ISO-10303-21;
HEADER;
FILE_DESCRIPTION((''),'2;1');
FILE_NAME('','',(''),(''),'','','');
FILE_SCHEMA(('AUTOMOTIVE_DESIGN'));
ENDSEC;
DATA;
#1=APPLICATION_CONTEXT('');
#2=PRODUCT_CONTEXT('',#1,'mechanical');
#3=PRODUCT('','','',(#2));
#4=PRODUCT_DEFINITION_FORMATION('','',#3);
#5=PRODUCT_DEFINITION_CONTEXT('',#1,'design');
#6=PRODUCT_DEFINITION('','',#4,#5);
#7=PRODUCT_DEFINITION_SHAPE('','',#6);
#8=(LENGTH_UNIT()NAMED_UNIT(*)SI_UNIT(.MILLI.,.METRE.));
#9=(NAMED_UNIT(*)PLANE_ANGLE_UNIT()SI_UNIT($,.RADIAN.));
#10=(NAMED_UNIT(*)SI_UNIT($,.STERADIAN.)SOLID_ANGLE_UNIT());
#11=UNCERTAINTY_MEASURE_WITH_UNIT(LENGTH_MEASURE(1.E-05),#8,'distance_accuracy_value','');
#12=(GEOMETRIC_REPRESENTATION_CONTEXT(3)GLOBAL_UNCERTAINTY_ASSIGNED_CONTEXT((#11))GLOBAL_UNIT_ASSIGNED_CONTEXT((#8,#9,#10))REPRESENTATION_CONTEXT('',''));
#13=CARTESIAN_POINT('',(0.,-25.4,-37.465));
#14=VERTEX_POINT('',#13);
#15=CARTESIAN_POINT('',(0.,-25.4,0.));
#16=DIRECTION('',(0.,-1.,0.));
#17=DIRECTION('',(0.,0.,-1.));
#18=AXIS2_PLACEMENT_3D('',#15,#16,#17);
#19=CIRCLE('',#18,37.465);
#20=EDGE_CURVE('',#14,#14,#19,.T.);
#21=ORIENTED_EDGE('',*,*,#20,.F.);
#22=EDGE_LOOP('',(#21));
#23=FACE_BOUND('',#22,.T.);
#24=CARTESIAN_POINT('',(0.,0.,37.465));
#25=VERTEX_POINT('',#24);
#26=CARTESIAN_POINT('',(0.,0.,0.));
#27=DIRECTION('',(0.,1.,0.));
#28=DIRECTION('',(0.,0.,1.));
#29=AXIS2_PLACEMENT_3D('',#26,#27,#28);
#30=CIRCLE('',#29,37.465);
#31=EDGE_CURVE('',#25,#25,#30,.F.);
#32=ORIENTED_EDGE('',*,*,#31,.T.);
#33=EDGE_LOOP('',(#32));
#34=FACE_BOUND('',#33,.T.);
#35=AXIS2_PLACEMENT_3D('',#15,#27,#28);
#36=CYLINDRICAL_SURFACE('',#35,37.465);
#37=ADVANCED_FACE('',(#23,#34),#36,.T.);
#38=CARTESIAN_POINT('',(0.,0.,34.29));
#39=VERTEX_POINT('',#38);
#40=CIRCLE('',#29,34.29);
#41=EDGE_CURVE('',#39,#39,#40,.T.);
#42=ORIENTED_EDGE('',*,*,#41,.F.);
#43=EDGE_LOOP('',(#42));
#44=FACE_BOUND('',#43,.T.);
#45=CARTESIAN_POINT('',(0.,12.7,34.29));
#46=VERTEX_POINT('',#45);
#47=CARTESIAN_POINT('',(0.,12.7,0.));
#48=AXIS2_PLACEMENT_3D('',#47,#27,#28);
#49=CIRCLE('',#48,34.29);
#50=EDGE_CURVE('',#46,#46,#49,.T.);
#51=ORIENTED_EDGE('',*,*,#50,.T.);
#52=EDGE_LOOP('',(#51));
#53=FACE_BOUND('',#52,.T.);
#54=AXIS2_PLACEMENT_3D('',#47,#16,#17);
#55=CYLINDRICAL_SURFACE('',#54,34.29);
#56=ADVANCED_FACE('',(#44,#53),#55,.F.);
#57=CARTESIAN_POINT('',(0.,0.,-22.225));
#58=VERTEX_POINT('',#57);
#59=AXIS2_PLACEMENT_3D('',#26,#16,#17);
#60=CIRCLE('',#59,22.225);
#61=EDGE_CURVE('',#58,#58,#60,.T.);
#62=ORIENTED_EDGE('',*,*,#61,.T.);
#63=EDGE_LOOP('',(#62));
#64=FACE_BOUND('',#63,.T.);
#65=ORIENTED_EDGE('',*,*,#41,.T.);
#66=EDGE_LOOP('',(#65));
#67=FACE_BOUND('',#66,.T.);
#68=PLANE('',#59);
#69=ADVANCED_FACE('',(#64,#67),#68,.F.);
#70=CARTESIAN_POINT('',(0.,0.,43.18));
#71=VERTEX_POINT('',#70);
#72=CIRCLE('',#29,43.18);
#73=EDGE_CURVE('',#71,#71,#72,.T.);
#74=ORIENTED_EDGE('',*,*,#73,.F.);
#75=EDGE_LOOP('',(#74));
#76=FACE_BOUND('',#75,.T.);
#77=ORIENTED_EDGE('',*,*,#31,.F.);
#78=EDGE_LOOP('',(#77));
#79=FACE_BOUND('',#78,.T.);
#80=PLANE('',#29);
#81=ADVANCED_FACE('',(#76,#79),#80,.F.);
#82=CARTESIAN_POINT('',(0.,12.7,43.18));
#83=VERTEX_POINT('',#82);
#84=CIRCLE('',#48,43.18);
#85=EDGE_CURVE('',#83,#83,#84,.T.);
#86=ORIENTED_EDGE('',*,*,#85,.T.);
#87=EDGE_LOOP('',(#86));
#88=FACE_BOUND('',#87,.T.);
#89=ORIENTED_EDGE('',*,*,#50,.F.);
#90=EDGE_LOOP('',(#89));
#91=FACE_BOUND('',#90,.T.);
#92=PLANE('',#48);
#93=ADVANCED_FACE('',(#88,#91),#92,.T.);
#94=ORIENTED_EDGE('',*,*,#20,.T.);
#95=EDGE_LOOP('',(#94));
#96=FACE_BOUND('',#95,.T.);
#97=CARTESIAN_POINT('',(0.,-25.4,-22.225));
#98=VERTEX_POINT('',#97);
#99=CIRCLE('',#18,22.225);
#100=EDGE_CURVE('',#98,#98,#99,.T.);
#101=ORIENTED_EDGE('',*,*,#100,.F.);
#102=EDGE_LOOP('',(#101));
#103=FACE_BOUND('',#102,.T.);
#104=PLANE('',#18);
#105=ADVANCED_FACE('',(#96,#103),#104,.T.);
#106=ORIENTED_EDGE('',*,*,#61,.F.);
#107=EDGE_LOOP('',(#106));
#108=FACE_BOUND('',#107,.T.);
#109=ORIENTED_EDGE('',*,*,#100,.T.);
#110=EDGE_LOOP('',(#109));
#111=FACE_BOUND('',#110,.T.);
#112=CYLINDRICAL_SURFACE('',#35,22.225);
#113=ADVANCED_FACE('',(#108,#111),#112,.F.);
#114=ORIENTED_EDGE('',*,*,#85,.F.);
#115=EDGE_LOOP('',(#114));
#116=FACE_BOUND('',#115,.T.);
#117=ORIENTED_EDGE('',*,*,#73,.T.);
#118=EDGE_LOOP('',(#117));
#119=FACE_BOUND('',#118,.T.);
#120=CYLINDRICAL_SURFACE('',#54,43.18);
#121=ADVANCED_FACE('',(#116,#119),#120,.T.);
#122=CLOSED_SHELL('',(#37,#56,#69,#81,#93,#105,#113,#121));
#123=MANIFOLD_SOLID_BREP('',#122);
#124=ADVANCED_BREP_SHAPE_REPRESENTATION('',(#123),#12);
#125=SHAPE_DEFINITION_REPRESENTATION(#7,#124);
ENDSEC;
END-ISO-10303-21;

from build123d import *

# Parameters (mm, degrees)
SKETCH1_R           = 43.18
SKETCH1_R_2         = 34.29
BOSS_EXTRUDE1_DEPTH = 12.7
SKETCH2_R           = 37.465
SKETCH2_R_2         = 22.225
BOSS_EXTRUDE2_DEPTH = 25.4


with BuildPart() as part:
    # Sketch1 → Boss-Extrude1 (new body)
    with BuildSketch(Plane(origin=(0, 0, 0), x_dir=(1, 0, 0), z_dir=(0, 1, 0))):
        Circle(SKETCH1_R)
        Circle(SKETCH1_R_2, mode=Mode.SUBTRACT)
    extrude(amount=BOSS_EXTRUDE1_DEPTH)

    # Sketch2 → Boss-Extrude2 (add)
    with BuildSketch(Plane.XZ):
        Circle(SKETCH2_R)
        Circle(SKETCH2_R_2, mode=Mode.SUBTRACT)
    extrude(amount=BOSS_EXTRUDE2_DEPTH)


solid = part.part
